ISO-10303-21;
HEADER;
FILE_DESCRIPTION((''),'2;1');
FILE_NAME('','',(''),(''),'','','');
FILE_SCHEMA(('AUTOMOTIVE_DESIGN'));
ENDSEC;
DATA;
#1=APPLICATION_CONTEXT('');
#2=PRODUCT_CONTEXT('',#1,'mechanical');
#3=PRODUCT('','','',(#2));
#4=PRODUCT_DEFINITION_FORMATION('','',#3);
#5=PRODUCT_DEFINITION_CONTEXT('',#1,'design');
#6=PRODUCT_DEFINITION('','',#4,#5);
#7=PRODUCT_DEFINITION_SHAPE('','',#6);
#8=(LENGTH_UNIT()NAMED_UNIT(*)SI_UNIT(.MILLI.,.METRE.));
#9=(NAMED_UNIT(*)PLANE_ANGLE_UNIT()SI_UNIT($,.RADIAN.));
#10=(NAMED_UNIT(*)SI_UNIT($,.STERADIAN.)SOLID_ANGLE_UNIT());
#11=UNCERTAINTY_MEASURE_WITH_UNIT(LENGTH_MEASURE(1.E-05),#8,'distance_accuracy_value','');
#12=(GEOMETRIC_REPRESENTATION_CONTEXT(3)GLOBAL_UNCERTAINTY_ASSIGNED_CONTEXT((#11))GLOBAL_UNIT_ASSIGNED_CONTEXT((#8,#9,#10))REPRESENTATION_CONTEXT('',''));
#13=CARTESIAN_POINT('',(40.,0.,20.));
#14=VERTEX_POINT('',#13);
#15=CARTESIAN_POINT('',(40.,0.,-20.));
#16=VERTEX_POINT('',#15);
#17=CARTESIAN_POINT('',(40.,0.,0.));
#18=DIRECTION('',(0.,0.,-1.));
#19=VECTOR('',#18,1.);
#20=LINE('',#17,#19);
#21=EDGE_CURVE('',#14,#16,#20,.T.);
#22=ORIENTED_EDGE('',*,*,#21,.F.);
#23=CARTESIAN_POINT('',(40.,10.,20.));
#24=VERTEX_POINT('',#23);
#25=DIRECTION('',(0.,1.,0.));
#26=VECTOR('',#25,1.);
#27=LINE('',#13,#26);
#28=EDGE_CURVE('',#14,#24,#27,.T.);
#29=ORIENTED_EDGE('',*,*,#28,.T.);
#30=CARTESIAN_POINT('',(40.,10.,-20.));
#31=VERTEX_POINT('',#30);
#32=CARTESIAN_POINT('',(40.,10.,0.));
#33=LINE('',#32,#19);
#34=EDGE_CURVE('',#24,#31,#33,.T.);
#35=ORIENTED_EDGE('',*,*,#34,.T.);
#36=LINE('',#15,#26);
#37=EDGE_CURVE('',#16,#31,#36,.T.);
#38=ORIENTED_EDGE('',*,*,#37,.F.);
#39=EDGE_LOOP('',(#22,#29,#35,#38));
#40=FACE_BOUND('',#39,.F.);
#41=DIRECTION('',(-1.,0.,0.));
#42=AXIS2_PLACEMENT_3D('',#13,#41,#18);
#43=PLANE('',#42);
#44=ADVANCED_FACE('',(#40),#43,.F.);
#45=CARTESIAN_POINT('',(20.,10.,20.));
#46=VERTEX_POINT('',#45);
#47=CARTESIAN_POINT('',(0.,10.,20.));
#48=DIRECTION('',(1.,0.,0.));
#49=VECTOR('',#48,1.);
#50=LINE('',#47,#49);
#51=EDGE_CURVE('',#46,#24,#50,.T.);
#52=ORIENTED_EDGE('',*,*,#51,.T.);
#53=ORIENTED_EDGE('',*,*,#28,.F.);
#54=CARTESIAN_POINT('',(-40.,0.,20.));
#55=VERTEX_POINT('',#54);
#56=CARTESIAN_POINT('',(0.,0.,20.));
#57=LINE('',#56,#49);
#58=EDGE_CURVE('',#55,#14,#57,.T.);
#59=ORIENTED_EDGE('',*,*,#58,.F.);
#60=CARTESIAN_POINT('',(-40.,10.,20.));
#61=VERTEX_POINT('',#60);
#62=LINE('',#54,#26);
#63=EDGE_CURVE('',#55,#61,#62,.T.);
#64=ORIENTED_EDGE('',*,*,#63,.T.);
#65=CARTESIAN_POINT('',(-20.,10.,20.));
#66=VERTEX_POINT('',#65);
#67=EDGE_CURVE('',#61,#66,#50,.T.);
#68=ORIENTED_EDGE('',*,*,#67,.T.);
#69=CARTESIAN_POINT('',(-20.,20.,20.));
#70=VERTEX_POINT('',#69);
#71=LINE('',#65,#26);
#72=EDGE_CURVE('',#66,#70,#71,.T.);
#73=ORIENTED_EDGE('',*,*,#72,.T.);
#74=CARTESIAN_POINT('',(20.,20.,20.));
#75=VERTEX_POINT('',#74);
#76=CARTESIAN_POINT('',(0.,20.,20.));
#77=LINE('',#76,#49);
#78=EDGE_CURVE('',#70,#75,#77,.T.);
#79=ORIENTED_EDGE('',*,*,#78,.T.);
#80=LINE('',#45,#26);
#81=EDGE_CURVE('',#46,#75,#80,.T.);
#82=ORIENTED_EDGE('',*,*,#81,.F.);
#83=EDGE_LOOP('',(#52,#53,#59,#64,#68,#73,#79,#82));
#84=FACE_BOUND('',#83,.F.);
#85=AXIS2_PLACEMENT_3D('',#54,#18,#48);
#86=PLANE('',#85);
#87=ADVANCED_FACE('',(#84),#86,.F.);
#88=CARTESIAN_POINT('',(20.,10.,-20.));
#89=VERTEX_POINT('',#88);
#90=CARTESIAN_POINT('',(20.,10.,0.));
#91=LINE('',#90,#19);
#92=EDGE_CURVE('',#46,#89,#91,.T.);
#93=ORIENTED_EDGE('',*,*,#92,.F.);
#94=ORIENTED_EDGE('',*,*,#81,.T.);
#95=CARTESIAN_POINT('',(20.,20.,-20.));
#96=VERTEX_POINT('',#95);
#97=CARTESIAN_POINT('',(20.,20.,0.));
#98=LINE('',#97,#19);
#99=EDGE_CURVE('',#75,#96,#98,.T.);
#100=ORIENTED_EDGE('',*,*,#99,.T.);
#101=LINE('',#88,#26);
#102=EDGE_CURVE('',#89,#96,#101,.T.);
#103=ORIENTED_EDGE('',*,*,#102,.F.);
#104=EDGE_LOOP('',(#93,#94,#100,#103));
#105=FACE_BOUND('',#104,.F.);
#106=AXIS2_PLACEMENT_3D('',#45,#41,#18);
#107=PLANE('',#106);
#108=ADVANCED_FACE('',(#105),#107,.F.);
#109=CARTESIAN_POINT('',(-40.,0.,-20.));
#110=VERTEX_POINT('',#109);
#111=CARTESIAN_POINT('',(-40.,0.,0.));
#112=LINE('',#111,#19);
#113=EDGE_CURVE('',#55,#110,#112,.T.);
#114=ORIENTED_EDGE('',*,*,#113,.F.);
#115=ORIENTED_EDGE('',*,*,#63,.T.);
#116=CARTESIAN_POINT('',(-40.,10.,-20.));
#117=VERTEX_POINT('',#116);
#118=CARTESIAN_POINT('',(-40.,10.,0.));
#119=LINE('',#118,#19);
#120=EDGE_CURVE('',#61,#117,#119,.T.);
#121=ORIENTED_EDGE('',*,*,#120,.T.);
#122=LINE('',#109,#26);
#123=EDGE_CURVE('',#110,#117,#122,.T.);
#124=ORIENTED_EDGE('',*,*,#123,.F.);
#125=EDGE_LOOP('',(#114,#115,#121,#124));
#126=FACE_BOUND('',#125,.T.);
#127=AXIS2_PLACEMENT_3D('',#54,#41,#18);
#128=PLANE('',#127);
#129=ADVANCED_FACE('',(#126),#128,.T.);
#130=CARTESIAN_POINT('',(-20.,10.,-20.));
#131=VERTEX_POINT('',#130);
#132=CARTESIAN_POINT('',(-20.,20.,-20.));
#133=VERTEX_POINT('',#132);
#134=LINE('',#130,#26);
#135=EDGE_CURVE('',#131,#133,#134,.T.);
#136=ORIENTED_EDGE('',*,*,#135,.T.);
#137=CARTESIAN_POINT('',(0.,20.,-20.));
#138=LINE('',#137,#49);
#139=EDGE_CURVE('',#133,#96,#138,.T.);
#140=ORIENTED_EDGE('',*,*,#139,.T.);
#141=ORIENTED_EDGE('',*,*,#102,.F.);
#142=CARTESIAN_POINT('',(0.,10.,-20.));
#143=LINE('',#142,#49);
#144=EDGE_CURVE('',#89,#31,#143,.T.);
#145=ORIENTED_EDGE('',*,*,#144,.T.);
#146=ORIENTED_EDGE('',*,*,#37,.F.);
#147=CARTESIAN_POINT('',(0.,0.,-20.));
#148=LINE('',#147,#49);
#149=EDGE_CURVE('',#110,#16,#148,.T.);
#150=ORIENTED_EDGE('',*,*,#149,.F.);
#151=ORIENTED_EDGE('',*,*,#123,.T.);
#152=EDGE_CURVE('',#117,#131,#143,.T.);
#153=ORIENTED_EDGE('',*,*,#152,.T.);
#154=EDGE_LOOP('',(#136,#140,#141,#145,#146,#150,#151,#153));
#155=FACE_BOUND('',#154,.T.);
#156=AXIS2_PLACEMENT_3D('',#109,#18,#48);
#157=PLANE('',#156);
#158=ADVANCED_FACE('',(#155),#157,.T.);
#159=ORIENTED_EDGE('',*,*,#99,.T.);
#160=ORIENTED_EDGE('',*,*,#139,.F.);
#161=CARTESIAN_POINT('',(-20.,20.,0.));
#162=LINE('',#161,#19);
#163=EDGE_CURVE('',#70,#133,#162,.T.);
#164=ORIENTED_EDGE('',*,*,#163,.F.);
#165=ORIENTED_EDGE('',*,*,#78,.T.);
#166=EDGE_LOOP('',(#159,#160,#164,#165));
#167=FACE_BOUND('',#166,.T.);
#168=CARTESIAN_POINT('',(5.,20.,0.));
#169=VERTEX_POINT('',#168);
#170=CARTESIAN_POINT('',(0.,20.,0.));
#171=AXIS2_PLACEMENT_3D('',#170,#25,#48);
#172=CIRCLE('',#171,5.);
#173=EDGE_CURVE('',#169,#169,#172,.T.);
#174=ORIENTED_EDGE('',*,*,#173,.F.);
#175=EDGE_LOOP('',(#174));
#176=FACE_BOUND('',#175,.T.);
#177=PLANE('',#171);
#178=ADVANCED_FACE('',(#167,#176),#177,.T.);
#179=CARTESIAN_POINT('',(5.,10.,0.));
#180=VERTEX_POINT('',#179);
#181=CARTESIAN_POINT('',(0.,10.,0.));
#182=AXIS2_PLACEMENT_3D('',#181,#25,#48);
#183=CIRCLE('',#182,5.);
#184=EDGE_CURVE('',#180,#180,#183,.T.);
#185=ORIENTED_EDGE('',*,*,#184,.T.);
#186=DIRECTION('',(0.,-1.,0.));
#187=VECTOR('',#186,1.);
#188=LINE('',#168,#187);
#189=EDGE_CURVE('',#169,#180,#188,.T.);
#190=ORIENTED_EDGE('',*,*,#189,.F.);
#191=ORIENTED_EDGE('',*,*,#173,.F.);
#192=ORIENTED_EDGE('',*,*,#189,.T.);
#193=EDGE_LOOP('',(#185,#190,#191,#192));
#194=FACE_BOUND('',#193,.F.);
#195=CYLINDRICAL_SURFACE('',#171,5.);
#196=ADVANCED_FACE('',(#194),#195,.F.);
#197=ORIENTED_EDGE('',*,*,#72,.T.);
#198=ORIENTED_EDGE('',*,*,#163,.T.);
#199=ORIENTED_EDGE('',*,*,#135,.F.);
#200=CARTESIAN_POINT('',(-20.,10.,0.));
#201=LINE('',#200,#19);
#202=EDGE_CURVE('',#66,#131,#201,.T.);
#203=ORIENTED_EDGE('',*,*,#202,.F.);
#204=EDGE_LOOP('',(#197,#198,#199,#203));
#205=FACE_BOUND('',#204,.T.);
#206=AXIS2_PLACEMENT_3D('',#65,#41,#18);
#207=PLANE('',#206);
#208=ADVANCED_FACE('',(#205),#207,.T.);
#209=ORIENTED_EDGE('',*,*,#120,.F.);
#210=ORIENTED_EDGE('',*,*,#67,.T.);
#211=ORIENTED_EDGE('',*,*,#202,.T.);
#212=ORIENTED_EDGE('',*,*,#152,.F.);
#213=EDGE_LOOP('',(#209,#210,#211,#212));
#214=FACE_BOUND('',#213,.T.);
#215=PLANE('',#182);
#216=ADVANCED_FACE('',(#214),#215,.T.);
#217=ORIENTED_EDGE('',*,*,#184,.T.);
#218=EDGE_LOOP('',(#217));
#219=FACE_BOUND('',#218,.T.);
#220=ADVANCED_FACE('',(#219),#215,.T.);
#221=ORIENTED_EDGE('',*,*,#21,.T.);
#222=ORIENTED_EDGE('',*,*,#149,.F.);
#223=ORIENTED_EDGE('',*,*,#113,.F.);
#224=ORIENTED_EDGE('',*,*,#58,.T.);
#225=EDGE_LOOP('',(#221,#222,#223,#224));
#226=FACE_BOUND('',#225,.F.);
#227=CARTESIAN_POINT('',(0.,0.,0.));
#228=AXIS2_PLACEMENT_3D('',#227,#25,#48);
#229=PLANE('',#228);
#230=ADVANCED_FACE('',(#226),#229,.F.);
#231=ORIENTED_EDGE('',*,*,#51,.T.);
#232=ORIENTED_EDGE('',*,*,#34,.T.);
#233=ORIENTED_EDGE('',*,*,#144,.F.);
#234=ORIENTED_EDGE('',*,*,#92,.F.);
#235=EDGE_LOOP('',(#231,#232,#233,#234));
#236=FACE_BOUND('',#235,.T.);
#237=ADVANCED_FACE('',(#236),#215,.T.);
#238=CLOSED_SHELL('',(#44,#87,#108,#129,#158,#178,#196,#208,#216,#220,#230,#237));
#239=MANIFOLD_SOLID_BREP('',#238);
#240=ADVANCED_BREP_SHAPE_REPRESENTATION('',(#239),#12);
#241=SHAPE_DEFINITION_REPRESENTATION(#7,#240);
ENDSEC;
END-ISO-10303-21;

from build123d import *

# Parameters (mm, degrees)
SKETCH1_W           = 80
SKETCH1_H           = 40
BOSS_EXTRUDE1_DEPTH = 10
SKETCH2_W           = 40
SKETCH2_H           = 40
BOSS_EXTRUDE2_DEPTH = 10
SKETCH3_R           = 5
CUT_EXTRUDE1_DEPTH  = 10


with BuildPart() as part:
    # Sketch1 → Boss-Extrude1 (new body)
    with BuildSketch(Plane(origin=(0, 0, 0), x_dir=(1, 0, 0), z_dir=(0, 1, 0))):
        Rectangle(SKETCH1_W, SKETCH1_H)
    extrude(amount=BOSS_EXTRUDE1_DEPTH)

    # Sketch2 → Boss-Extrude2 (add)
    with BuildSketch(Plane(origin=(0, 10, 0), x_dir=(1, 0, 0), z_dir=(0, 1, 0))):
        Rectangle(SKETCH2_W, SKETCH2_H)
    extrude(amount=BOSS_EXTRUDE2_DEPTH)

    # Sketch3 → Cut-Extrude1 (cut)
    with BuildSketch(Plane(origin=(0, 20, 0), x_dir=(1, 0, 0), z_dir=(0, 1, 0))):
        Circle(SKETCH3_R)
    extrude(amount=-CUT_EXTRUDE1_DEPTH, mode=Mode.SUBTRACT)


solid = part.part
